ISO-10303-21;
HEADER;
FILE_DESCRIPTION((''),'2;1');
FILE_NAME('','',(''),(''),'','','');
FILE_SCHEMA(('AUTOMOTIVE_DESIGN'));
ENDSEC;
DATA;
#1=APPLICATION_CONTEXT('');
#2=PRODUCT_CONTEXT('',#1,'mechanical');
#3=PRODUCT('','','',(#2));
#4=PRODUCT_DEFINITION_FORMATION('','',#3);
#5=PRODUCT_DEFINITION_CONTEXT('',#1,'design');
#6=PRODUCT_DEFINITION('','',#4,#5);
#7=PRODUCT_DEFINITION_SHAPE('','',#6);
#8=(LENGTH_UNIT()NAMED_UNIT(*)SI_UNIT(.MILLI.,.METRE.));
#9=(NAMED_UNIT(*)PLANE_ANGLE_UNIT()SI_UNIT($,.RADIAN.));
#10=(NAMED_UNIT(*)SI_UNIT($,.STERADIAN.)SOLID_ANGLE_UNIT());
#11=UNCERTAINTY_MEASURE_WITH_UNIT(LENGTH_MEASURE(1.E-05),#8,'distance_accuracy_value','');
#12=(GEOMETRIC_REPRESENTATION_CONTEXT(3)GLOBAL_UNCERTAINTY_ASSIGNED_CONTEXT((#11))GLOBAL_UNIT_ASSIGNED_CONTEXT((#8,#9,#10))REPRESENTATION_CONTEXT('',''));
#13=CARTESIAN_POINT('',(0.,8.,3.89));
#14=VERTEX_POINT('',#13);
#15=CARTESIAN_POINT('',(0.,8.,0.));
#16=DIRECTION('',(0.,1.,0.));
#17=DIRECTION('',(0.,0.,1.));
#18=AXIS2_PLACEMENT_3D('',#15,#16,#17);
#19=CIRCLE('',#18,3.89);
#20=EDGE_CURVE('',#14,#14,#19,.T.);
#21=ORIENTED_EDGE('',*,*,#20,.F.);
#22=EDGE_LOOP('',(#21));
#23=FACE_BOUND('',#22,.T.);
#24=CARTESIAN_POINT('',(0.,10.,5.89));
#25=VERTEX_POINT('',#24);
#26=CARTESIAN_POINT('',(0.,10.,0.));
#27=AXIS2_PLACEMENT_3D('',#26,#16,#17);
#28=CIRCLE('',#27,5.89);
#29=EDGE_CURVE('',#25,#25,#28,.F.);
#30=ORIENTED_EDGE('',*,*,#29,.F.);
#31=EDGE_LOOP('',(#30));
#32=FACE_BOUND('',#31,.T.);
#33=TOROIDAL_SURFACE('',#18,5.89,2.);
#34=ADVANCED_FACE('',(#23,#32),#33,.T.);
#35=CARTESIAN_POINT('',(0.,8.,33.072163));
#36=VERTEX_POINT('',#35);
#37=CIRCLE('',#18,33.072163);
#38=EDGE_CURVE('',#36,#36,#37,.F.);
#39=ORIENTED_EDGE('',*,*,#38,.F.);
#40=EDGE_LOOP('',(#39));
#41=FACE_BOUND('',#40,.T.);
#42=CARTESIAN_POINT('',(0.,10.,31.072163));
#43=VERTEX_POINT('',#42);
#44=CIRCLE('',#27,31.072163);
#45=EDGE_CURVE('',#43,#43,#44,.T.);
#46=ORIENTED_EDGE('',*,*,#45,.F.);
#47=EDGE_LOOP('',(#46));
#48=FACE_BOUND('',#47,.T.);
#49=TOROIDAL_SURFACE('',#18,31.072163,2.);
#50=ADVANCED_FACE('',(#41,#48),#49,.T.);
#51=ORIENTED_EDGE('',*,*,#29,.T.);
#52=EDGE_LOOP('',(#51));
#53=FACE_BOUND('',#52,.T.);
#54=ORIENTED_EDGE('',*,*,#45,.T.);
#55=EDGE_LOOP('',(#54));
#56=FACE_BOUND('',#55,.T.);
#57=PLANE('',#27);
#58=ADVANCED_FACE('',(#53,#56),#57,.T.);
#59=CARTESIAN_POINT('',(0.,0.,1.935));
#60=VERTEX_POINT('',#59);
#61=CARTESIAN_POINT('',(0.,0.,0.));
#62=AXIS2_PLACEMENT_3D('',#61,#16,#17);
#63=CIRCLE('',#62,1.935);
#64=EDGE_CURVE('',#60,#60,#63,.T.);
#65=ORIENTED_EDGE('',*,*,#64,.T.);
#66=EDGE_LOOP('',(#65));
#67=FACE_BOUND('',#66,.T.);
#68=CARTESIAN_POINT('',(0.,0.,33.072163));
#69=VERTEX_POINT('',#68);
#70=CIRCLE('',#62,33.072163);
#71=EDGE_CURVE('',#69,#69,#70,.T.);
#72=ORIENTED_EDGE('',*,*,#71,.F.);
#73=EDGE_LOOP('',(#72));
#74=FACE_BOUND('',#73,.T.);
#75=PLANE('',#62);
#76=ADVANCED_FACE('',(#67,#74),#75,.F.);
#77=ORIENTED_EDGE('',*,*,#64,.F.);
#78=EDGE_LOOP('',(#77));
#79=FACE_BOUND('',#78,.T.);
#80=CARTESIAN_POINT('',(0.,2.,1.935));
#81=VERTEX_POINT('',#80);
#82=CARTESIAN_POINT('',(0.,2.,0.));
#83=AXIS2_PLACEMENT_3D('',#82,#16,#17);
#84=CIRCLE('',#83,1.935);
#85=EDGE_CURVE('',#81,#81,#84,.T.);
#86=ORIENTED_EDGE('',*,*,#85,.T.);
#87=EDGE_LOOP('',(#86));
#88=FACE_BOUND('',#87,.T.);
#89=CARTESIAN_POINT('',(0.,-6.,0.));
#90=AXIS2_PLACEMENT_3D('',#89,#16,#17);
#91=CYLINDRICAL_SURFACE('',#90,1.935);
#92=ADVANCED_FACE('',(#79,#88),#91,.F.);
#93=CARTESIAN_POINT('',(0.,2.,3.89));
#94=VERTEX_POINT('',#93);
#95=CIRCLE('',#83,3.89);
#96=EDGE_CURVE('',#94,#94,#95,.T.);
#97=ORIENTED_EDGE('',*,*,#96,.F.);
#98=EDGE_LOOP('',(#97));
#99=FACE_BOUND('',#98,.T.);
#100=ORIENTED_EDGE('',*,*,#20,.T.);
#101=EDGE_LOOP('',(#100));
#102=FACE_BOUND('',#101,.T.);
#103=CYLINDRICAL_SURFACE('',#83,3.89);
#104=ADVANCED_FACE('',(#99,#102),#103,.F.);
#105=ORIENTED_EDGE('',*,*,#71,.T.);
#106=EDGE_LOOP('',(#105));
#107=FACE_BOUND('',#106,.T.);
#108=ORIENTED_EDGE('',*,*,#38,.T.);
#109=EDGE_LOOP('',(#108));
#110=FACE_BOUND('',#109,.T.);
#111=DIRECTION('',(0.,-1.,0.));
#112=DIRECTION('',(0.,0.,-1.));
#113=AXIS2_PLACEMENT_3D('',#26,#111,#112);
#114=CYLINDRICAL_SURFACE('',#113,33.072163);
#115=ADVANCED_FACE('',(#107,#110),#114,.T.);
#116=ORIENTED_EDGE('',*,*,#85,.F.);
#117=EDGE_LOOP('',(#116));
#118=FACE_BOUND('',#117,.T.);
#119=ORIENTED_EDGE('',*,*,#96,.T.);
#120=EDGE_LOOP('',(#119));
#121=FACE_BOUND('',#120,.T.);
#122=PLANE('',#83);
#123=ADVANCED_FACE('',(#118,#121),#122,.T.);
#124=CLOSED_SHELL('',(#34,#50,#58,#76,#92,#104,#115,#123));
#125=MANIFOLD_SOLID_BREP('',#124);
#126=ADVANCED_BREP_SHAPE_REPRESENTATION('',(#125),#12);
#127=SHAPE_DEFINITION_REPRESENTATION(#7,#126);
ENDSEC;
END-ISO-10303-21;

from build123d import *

# Parameters (mm, degrees)
SKETCH1_R           = 33.072163115
BOSS_EXTRUDE1_DEPTH = 10
SKETCH2_R           = 3.89
CUT_EXTRUDE1_DEPTH  = 8
SKETCH3_R           = 1.935
CUT_EXTRUDE2_DEPTH  = 8
FILLET1_R           = 2
FILLET2_R           = 2


with BuildPart() as part:
    # Sketch1 → Boss-Extrude1 (new body)
    with BuildSketch(Plane(origin=(0, 0, 0), x_dir=(1, 0, 0), z_dir=(0, 1, 0))):
        Circle(SKETCH1_R)
    extrude(amount=BOSS_EXTRUDE1_DEPTH)

    # Sketch2 → Cut-Extrude1 (cut)
    with BuildSketch(Plane(origin=(0, 10, 0), x_dir=(1, 0, 0), z_dir=(0, 1, 0))):
        Circle(SKETCH2_R)
    extrude(amount=-CUT_EXTRUDE1_DEPTH, mode=Mode.SUBTRACT)

    # Sketch3 → Cut-Extrude2 (cut)
    with BuildSketch(Plane(origin=(0, 2, 0), x_dir=(1, 0, 0), z_dir=(0, 1, 0))):
        Circle(SKETCH3_R)
    extrude(amount=-CUT_EXTRUDE2_DEPTH, mode=Mode.SUBTRACT)

    # Fillet1
    fillet1_edges = [part.edges().sort_by_distance(p)[0] for p in [
        (-33.072163115, 10, 0),
    ]]
    fillet(fillet1_edges, radius=FILLET1_R)

    # Fillet2
    fillet2_edges = [part.edges().sort_by_distance(p)[0] for p in [
        (-3.89, 10, 0),
    ]]
    fillet(fillet2_edges, radius=FILLET2_R)


solid = part.part
